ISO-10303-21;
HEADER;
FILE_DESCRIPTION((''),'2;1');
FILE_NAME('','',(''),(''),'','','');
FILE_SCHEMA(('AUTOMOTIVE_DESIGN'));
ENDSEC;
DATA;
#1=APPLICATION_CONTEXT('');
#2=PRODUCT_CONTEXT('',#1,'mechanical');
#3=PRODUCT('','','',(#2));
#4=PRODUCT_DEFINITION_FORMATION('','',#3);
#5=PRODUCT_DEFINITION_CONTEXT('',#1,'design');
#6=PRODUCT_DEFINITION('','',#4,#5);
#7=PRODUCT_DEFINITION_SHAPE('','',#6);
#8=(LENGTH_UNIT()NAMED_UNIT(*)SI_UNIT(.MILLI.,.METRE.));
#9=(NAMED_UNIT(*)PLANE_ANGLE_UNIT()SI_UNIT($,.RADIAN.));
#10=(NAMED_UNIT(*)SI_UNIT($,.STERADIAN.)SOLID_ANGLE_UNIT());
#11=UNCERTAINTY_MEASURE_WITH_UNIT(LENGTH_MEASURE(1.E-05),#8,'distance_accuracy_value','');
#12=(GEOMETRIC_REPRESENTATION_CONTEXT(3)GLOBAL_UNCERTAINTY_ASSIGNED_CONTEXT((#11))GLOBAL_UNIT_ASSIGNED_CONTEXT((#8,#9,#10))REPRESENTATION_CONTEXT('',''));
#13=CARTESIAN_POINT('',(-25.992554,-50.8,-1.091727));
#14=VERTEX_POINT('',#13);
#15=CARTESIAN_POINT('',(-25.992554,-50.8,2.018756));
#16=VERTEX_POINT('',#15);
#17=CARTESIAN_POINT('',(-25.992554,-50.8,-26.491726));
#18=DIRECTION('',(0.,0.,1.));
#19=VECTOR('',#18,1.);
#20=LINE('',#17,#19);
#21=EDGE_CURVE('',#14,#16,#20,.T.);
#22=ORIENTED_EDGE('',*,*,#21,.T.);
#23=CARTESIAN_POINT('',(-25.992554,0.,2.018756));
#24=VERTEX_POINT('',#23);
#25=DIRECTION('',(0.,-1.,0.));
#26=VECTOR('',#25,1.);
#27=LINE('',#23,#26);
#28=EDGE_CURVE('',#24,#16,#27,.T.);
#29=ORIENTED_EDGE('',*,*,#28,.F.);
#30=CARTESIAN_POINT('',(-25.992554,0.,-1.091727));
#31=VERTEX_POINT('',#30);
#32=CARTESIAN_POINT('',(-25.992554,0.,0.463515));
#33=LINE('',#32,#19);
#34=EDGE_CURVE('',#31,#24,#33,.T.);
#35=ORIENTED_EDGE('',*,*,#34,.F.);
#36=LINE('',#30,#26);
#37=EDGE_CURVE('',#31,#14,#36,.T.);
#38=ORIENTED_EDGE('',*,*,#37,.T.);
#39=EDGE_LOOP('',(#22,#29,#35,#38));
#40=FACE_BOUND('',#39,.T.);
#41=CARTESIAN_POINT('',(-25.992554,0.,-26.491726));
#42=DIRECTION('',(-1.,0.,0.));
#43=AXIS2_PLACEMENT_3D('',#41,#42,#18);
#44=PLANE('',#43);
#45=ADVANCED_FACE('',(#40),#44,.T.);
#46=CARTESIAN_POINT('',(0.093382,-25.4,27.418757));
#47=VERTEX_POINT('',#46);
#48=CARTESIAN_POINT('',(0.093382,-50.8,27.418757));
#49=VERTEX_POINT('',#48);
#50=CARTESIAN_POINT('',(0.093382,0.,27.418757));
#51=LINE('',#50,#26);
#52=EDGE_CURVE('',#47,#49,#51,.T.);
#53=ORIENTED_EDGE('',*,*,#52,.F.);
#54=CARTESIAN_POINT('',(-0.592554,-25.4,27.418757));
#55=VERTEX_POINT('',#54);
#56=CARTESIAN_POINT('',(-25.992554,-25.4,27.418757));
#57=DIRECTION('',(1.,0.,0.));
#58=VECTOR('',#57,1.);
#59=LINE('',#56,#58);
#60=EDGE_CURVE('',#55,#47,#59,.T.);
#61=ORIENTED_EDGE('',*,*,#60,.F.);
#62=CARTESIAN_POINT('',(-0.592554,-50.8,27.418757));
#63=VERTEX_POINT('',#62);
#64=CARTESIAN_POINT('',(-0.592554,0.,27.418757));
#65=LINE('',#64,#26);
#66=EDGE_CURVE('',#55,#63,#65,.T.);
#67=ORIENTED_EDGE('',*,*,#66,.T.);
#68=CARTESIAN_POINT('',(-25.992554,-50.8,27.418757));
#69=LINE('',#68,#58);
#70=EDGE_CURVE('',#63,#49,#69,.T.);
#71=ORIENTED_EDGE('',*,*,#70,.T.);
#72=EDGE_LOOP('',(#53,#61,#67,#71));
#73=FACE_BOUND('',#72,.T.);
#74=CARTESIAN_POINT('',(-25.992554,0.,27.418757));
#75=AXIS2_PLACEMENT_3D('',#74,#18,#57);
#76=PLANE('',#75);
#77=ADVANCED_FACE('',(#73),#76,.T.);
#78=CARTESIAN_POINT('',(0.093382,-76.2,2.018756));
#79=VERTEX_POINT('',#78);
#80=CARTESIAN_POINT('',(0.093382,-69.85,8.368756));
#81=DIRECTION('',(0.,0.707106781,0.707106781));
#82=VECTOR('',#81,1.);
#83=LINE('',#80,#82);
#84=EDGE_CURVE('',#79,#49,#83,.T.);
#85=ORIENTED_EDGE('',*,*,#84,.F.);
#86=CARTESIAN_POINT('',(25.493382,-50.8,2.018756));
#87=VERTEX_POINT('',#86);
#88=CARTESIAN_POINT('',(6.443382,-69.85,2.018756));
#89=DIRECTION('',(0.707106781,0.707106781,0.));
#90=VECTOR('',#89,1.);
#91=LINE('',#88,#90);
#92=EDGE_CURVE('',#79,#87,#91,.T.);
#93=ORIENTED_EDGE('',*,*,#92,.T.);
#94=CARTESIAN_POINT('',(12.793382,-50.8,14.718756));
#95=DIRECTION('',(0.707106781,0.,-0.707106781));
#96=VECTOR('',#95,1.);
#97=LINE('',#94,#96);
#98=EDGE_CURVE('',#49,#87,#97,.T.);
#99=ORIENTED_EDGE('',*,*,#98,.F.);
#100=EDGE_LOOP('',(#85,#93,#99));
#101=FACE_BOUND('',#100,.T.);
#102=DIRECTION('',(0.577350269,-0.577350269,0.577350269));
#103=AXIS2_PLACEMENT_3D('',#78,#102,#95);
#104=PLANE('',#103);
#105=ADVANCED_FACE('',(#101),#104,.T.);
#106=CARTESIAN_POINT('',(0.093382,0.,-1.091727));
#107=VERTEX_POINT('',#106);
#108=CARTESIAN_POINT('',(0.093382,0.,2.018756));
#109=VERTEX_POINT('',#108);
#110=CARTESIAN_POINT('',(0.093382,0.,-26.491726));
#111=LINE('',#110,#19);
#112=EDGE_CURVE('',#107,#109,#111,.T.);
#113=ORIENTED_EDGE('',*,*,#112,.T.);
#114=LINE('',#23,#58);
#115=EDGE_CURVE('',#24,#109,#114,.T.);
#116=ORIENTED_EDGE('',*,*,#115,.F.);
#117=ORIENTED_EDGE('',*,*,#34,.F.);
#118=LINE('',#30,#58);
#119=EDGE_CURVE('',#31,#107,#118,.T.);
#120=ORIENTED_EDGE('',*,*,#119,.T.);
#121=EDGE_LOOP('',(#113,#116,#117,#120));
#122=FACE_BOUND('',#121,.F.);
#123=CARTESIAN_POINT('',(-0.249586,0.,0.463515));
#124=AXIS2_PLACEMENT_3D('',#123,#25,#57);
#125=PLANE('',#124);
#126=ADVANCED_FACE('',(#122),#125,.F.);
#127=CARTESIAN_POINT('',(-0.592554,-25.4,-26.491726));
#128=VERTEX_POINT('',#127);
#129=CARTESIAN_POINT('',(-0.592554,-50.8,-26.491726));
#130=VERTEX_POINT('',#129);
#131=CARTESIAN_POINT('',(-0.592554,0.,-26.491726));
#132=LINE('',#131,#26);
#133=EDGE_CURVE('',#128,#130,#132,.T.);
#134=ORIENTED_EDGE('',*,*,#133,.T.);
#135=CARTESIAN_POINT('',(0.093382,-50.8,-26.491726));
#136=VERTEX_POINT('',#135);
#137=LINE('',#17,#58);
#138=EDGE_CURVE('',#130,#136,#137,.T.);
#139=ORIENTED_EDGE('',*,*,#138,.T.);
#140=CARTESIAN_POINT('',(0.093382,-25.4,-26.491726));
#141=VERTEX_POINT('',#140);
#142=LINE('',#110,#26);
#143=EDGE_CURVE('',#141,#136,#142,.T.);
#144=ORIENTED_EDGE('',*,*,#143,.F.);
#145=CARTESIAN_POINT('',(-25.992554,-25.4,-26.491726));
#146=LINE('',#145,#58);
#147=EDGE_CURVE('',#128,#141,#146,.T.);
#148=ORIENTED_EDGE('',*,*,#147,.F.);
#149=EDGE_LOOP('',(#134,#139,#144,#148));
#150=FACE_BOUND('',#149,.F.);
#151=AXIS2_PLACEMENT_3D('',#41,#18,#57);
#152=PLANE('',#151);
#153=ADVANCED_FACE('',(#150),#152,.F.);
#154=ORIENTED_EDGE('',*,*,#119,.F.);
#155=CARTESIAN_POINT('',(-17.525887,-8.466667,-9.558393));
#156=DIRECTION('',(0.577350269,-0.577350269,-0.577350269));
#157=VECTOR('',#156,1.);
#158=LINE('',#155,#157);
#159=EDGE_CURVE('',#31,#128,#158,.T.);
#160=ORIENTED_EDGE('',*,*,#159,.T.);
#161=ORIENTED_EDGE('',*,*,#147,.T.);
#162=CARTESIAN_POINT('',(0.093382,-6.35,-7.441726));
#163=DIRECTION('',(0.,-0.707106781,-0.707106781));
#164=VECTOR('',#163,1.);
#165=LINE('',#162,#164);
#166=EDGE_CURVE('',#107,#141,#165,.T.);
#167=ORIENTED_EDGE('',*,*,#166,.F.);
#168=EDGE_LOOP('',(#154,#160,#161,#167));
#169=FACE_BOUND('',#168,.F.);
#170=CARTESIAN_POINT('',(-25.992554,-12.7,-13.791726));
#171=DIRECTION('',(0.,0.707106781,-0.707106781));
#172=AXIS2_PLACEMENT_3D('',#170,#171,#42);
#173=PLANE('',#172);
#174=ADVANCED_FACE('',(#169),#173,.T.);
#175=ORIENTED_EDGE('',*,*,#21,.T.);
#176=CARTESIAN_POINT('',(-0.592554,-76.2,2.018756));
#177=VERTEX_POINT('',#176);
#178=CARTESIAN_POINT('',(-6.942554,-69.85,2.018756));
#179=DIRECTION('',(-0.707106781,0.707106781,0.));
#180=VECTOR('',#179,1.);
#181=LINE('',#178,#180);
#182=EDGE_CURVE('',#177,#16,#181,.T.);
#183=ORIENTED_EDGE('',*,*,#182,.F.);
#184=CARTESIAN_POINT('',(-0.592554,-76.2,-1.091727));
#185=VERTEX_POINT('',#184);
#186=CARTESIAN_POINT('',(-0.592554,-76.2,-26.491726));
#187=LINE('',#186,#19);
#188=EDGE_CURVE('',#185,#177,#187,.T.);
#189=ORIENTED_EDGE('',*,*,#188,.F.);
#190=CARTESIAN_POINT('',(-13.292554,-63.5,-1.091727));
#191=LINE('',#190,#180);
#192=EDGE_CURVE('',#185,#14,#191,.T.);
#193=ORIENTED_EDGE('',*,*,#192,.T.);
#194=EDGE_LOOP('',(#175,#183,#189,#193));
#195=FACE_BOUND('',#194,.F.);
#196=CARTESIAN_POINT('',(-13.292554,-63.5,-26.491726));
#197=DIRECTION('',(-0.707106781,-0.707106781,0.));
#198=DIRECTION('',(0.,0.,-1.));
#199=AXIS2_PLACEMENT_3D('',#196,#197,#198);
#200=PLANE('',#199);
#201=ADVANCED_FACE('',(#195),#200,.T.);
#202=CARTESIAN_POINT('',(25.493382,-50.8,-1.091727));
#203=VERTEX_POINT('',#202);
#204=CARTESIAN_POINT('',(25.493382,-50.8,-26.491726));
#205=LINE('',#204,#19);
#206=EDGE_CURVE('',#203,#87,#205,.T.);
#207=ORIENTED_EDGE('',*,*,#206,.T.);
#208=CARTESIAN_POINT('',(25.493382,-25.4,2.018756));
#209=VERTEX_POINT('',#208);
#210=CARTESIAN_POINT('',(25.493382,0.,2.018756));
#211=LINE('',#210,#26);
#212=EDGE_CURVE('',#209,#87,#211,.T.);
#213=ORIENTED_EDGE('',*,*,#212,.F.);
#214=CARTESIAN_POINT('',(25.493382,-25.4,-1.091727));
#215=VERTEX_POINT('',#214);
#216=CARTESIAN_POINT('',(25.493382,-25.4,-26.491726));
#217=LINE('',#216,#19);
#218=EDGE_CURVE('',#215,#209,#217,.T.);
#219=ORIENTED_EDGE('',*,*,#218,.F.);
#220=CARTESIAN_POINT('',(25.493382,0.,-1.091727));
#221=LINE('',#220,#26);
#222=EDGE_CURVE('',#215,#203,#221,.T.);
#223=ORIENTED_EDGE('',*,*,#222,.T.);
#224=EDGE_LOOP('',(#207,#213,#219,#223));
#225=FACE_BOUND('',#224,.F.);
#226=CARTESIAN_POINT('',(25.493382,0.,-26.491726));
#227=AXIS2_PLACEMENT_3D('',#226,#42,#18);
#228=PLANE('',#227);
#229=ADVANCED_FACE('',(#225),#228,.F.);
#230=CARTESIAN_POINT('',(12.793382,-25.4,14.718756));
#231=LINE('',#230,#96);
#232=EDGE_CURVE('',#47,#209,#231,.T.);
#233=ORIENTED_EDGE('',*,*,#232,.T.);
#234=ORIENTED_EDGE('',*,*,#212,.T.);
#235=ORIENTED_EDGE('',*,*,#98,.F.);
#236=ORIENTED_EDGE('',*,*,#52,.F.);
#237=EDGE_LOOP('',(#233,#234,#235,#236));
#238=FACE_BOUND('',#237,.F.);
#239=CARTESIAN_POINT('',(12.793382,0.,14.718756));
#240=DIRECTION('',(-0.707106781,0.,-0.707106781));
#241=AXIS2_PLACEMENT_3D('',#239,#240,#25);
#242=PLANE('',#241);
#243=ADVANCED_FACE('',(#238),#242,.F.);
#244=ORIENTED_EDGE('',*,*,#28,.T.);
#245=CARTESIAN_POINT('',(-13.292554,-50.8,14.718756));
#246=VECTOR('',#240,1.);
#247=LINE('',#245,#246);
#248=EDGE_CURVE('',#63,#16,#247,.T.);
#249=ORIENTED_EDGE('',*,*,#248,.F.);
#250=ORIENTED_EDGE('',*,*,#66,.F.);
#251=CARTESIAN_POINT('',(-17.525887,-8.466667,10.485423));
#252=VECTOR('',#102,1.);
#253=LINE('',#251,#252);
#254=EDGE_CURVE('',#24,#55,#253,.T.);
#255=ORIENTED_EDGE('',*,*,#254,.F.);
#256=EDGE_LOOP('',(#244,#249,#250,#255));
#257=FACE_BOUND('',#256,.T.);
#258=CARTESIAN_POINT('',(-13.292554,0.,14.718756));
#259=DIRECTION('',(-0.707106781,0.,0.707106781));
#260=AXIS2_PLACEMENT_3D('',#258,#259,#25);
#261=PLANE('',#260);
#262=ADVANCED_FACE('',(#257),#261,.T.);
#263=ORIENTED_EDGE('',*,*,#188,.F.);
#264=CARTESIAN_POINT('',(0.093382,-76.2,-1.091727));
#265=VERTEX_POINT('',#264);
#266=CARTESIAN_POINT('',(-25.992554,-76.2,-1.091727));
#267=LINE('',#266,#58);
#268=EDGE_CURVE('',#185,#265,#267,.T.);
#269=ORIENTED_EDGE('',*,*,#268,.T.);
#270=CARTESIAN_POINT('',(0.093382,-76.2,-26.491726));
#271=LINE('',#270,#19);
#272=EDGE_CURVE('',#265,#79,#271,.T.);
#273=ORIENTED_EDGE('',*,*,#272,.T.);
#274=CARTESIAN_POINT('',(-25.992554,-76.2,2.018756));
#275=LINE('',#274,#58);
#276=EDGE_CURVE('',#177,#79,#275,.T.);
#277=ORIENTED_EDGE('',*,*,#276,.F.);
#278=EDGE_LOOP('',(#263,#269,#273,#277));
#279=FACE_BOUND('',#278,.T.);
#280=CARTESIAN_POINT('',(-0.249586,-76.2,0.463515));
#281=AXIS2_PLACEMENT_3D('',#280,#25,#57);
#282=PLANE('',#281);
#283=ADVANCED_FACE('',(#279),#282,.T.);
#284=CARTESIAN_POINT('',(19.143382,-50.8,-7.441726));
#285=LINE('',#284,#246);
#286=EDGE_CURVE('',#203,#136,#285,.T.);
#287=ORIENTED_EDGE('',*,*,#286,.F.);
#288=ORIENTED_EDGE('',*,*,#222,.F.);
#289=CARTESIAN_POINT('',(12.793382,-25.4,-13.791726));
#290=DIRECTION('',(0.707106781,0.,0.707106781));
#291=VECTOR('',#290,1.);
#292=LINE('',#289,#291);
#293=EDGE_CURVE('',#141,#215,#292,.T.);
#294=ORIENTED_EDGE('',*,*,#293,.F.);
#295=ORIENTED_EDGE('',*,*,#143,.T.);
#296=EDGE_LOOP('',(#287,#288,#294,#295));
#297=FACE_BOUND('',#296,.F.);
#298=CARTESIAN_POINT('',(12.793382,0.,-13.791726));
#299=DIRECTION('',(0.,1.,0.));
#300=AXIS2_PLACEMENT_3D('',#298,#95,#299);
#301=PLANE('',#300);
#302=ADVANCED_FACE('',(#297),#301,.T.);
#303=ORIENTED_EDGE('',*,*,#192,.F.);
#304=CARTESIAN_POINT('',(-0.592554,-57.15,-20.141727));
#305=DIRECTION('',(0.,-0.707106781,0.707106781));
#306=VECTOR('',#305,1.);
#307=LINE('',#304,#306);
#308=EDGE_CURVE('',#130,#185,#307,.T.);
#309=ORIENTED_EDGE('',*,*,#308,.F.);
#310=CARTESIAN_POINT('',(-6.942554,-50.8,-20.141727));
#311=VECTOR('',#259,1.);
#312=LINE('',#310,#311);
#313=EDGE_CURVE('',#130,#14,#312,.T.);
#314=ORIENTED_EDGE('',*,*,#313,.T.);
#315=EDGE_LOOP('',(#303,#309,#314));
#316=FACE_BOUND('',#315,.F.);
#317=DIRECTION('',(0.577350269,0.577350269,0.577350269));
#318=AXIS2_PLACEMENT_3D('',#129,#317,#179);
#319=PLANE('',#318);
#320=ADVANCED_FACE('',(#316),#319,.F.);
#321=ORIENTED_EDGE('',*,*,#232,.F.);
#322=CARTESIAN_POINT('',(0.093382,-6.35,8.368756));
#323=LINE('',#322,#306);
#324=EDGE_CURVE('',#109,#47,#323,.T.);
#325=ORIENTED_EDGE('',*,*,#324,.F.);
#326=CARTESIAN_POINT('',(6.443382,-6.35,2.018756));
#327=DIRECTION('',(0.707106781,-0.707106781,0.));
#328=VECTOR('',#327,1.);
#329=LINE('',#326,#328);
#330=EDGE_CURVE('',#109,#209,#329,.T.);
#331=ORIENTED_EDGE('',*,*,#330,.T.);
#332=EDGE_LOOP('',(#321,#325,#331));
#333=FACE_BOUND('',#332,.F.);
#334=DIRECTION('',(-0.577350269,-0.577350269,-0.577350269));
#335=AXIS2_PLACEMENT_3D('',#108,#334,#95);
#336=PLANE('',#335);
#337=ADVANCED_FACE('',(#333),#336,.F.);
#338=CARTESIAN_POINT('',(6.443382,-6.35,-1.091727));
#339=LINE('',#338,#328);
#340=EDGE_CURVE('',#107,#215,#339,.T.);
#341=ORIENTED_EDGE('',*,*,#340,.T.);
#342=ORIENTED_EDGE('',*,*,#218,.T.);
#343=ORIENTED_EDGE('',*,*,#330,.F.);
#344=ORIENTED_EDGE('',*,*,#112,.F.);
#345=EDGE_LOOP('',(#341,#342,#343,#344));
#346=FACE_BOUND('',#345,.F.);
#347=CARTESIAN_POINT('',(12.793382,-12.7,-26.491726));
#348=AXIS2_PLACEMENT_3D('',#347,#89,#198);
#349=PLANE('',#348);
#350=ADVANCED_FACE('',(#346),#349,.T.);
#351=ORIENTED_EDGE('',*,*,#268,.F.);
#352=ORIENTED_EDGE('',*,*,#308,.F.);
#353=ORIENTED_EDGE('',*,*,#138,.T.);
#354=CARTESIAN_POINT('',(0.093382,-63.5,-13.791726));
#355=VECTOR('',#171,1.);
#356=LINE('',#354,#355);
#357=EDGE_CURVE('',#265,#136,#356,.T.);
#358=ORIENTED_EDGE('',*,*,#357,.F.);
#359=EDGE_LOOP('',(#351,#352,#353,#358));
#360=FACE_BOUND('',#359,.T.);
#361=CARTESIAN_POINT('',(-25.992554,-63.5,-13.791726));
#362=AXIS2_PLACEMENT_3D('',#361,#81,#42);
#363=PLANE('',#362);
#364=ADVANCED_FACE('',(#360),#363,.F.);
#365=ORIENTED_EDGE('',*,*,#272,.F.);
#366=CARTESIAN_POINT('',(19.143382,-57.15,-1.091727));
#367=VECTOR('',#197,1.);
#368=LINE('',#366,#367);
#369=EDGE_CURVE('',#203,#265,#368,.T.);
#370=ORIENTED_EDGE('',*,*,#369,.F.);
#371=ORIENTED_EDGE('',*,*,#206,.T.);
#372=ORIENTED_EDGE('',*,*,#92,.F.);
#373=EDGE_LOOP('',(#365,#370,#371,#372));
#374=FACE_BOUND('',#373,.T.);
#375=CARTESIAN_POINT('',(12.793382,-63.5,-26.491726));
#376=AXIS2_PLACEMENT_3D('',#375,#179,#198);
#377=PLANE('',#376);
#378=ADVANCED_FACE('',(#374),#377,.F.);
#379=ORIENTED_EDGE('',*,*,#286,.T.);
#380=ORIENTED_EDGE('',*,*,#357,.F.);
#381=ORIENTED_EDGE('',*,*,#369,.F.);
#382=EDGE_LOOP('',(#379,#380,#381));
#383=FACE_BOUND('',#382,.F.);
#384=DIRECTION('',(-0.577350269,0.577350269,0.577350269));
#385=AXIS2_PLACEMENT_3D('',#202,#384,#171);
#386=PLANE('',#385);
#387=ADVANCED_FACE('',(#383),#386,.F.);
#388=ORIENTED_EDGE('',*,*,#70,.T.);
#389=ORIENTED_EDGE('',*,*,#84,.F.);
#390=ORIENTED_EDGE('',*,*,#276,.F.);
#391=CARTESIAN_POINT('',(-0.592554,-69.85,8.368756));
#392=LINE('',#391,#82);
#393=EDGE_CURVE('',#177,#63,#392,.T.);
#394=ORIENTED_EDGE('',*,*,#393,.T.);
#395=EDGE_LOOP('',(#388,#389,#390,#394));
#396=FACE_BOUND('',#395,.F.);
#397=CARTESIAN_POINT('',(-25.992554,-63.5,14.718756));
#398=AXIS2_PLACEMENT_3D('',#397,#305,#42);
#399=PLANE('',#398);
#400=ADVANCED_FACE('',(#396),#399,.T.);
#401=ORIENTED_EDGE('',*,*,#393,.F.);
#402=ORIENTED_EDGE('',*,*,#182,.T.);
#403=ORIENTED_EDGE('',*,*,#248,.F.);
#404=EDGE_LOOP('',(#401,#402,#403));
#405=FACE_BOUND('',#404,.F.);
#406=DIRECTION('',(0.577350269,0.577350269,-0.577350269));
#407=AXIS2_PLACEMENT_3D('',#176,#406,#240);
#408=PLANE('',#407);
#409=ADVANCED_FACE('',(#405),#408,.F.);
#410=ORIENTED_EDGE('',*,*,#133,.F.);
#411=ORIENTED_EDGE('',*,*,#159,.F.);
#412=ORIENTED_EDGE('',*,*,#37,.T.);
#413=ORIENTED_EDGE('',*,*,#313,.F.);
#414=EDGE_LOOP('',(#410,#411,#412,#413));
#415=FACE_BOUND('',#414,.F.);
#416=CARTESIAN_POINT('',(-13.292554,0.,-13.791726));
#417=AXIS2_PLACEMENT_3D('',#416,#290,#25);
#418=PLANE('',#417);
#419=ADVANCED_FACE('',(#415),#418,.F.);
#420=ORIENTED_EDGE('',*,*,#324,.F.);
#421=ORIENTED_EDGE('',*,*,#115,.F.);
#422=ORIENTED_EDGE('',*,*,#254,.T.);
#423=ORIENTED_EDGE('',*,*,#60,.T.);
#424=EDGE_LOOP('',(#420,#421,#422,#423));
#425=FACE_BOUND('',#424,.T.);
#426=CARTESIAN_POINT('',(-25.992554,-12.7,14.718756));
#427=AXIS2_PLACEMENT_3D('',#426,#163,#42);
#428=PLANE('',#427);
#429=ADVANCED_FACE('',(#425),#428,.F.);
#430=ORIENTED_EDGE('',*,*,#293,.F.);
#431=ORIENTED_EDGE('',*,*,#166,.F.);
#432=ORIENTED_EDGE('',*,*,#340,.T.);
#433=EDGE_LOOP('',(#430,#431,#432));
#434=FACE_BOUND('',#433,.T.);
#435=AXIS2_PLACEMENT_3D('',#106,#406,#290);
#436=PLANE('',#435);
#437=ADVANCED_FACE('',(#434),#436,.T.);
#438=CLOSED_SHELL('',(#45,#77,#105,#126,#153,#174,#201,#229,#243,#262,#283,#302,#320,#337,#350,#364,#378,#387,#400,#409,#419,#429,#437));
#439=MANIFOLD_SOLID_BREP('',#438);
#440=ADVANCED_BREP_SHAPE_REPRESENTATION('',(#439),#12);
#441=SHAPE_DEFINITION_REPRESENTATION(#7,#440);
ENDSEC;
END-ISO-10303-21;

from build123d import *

# Parameters (mm, degrees)
F0_W     = 51.485936
F0_H     = 53.910483
F1_DEPTH = 76.2
F2_SIZE  = 25.4


with BuildPart() as f1:
    # F0 (on Front) → F1 (new body)
    with BuildSketch(Plane.XZ):
        with Locations((-0.249586, 0.463515)):
            Rectangle(F0_W, F0_H)
    extrude(amount=F1_DEPTH)

    # F2
    f2_edges = [f1.edges().sort_by_distance(p)[0] for p in [
        (25.493382, -38.1, 27.418757),
        (-25.992554, -38.1, 27.418757),
        (-0.249586, 0, 27.418757),
        (-0.249586, -76.2, 27.418757),
        (-25.992554, -76.2, 0.463516),
        (-0.249586, -76.2, -26.491726),
        (25.493382, -76.2, 0.463516),
        (-25.992554, -38.1, -26.491726),
        (25.493382, -38.1, -26.491726),
        (-0.249586, 0, -26.491726),
        (25.493382, 0, 0.463516),
    ]]
    chamfer(f2_edges, length=F2_SIZE)


solid = f1.part
